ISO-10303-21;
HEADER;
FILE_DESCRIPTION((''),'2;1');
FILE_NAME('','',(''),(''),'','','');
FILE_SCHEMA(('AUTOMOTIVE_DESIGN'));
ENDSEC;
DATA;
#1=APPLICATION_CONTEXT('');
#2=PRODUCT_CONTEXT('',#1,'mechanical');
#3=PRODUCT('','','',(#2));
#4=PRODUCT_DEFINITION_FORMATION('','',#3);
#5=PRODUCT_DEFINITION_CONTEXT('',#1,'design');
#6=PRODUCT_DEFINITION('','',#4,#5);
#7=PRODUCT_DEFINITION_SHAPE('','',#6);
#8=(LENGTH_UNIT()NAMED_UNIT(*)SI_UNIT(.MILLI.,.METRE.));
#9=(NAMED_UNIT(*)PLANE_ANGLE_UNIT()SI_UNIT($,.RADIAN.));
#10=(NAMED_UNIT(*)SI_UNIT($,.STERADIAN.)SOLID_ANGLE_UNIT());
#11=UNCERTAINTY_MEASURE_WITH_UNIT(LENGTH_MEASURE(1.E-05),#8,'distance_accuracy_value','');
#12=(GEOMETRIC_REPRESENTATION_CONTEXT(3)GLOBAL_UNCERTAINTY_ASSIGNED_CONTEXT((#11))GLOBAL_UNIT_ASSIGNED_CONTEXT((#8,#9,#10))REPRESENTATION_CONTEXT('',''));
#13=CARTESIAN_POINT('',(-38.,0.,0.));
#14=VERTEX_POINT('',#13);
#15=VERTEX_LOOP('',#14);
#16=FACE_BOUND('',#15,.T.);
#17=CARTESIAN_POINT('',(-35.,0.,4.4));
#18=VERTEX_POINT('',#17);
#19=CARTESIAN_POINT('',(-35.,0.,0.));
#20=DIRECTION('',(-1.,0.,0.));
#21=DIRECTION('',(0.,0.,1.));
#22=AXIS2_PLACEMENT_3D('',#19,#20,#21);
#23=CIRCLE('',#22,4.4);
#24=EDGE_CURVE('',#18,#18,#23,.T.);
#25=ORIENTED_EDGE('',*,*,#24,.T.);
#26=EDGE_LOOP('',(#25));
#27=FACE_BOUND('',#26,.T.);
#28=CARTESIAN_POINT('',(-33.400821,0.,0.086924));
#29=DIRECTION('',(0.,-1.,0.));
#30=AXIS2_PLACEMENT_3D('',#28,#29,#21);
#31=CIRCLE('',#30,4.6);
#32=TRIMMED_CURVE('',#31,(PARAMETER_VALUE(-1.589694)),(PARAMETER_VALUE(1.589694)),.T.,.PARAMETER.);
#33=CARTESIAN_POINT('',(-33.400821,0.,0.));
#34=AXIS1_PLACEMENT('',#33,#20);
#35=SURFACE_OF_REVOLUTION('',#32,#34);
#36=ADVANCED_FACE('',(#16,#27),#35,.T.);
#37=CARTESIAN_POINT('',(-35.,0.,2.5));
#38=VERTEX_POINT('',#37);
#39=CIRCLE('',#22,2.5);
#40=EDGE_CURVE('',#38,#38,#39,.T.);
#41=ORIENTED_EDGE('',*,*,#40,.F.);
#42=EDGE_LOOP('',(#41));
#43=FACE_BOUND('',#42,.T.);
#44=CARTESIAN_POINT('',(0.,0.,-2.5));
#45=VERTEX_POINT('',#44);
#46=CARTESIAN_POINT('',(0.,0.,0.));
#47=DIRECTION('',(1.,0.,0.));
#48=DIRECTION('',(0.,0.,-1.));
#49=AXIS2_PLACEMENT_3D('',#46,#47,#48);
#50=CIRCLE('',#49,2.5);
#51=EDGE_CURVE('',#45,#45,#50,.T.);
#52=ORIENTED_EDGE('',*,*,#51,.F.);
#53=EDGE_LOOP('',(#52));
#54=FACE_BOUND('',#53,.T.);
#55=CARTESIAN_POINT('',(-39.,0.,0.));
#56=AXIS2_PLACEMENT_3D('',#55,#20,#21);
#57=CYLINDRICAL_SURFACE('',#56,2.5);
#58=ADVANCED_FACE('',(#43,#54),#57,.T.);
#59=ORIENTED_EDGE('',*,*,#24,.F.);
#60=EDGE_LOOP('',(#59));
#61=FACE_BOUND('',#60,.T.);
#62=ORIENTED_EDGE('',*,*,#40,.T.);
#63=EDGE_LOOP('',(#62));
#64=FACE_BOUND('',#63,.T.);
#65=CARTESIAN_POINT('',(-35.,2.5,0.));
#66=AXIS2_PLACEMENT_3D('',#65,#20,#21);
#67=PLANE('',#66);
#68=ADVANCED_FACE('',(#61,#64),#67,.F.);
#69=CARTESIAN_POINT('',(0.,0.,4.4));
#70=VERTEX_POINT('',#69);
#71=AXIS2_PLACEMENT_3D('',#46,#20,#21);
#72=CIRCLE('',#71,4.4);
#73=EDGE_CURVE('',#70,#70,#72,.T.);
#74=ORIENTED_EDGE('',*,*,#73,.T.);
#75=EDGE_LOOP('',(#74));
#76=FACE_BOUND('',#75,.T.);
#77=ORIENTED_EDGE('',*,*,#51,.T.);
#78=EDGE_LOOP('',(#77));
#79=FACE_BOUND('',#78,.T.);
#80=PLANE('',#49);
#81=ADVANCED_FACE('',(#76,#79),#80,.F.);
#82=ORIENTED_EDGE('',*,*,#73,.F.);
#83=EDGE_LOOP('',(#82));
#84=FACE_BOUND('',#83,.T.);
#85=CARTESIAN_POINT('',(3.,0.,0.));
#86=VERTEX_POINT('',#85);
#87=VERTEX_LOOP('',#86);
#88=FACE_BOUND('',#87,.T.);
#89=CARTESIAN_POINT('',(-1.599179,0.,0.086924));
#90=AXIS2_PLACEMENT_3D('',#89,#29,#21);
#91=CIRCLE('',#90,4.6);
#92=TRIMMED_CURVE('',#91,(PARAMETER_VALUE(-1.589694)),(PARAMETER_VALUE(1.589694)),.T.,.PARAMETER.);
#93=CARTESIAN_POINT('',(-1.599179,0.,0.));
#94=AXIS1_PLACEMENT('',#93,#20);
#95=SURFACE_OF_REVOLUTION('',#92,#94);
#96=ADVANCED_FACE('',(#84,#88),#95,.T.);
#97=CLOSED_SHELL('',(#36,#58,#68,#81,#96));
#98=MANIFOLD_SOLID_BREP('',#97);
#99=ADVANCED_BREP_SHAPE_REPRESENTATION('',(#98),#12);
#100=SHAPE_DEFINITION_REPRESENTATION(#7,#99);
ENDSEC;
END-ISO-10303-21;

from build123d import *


with BuildPart() as part:
    # Sketch1 → Base-Revolve (revolve)
    with BuildSketch(Plane.XY, mode=Mode.PRIVATE) as base_revolve_sk:
        with BuildLine():
            Line((-38, 0), (0, 0))
            Line((0, 0), (0, 2.5))
            Line((0, 2.5), (-35, 2.5))
            Line((-35, 2.5), (-35, 4.4))
            ThreePointArc((-35, 4.4), (-37.201467124, 2.678273039), (-38, 0))
        make_face()
    revolve(base_revolve_sk.sketch.rotate(Axis((-39, 0, 0), (1, 0, 0)), 90), axis=Axis((-39, 0, 0), (1, 0, 0)))

    # Sketch3 → HeadTypeA (revolve)
    with BuildSketch(Plane.XY):
        with BuildLine():
            Line((0, 0), (3, 0))
            ThreePointArc((3, 0), (2.201467124, 2.678273039), (0, 4.4))
            Line((0, 4.4), (0, 0))
        make_face()
    revolve(axis=Axis((-49, 0, 0), (1, 0, 0)))


solid = part.part
